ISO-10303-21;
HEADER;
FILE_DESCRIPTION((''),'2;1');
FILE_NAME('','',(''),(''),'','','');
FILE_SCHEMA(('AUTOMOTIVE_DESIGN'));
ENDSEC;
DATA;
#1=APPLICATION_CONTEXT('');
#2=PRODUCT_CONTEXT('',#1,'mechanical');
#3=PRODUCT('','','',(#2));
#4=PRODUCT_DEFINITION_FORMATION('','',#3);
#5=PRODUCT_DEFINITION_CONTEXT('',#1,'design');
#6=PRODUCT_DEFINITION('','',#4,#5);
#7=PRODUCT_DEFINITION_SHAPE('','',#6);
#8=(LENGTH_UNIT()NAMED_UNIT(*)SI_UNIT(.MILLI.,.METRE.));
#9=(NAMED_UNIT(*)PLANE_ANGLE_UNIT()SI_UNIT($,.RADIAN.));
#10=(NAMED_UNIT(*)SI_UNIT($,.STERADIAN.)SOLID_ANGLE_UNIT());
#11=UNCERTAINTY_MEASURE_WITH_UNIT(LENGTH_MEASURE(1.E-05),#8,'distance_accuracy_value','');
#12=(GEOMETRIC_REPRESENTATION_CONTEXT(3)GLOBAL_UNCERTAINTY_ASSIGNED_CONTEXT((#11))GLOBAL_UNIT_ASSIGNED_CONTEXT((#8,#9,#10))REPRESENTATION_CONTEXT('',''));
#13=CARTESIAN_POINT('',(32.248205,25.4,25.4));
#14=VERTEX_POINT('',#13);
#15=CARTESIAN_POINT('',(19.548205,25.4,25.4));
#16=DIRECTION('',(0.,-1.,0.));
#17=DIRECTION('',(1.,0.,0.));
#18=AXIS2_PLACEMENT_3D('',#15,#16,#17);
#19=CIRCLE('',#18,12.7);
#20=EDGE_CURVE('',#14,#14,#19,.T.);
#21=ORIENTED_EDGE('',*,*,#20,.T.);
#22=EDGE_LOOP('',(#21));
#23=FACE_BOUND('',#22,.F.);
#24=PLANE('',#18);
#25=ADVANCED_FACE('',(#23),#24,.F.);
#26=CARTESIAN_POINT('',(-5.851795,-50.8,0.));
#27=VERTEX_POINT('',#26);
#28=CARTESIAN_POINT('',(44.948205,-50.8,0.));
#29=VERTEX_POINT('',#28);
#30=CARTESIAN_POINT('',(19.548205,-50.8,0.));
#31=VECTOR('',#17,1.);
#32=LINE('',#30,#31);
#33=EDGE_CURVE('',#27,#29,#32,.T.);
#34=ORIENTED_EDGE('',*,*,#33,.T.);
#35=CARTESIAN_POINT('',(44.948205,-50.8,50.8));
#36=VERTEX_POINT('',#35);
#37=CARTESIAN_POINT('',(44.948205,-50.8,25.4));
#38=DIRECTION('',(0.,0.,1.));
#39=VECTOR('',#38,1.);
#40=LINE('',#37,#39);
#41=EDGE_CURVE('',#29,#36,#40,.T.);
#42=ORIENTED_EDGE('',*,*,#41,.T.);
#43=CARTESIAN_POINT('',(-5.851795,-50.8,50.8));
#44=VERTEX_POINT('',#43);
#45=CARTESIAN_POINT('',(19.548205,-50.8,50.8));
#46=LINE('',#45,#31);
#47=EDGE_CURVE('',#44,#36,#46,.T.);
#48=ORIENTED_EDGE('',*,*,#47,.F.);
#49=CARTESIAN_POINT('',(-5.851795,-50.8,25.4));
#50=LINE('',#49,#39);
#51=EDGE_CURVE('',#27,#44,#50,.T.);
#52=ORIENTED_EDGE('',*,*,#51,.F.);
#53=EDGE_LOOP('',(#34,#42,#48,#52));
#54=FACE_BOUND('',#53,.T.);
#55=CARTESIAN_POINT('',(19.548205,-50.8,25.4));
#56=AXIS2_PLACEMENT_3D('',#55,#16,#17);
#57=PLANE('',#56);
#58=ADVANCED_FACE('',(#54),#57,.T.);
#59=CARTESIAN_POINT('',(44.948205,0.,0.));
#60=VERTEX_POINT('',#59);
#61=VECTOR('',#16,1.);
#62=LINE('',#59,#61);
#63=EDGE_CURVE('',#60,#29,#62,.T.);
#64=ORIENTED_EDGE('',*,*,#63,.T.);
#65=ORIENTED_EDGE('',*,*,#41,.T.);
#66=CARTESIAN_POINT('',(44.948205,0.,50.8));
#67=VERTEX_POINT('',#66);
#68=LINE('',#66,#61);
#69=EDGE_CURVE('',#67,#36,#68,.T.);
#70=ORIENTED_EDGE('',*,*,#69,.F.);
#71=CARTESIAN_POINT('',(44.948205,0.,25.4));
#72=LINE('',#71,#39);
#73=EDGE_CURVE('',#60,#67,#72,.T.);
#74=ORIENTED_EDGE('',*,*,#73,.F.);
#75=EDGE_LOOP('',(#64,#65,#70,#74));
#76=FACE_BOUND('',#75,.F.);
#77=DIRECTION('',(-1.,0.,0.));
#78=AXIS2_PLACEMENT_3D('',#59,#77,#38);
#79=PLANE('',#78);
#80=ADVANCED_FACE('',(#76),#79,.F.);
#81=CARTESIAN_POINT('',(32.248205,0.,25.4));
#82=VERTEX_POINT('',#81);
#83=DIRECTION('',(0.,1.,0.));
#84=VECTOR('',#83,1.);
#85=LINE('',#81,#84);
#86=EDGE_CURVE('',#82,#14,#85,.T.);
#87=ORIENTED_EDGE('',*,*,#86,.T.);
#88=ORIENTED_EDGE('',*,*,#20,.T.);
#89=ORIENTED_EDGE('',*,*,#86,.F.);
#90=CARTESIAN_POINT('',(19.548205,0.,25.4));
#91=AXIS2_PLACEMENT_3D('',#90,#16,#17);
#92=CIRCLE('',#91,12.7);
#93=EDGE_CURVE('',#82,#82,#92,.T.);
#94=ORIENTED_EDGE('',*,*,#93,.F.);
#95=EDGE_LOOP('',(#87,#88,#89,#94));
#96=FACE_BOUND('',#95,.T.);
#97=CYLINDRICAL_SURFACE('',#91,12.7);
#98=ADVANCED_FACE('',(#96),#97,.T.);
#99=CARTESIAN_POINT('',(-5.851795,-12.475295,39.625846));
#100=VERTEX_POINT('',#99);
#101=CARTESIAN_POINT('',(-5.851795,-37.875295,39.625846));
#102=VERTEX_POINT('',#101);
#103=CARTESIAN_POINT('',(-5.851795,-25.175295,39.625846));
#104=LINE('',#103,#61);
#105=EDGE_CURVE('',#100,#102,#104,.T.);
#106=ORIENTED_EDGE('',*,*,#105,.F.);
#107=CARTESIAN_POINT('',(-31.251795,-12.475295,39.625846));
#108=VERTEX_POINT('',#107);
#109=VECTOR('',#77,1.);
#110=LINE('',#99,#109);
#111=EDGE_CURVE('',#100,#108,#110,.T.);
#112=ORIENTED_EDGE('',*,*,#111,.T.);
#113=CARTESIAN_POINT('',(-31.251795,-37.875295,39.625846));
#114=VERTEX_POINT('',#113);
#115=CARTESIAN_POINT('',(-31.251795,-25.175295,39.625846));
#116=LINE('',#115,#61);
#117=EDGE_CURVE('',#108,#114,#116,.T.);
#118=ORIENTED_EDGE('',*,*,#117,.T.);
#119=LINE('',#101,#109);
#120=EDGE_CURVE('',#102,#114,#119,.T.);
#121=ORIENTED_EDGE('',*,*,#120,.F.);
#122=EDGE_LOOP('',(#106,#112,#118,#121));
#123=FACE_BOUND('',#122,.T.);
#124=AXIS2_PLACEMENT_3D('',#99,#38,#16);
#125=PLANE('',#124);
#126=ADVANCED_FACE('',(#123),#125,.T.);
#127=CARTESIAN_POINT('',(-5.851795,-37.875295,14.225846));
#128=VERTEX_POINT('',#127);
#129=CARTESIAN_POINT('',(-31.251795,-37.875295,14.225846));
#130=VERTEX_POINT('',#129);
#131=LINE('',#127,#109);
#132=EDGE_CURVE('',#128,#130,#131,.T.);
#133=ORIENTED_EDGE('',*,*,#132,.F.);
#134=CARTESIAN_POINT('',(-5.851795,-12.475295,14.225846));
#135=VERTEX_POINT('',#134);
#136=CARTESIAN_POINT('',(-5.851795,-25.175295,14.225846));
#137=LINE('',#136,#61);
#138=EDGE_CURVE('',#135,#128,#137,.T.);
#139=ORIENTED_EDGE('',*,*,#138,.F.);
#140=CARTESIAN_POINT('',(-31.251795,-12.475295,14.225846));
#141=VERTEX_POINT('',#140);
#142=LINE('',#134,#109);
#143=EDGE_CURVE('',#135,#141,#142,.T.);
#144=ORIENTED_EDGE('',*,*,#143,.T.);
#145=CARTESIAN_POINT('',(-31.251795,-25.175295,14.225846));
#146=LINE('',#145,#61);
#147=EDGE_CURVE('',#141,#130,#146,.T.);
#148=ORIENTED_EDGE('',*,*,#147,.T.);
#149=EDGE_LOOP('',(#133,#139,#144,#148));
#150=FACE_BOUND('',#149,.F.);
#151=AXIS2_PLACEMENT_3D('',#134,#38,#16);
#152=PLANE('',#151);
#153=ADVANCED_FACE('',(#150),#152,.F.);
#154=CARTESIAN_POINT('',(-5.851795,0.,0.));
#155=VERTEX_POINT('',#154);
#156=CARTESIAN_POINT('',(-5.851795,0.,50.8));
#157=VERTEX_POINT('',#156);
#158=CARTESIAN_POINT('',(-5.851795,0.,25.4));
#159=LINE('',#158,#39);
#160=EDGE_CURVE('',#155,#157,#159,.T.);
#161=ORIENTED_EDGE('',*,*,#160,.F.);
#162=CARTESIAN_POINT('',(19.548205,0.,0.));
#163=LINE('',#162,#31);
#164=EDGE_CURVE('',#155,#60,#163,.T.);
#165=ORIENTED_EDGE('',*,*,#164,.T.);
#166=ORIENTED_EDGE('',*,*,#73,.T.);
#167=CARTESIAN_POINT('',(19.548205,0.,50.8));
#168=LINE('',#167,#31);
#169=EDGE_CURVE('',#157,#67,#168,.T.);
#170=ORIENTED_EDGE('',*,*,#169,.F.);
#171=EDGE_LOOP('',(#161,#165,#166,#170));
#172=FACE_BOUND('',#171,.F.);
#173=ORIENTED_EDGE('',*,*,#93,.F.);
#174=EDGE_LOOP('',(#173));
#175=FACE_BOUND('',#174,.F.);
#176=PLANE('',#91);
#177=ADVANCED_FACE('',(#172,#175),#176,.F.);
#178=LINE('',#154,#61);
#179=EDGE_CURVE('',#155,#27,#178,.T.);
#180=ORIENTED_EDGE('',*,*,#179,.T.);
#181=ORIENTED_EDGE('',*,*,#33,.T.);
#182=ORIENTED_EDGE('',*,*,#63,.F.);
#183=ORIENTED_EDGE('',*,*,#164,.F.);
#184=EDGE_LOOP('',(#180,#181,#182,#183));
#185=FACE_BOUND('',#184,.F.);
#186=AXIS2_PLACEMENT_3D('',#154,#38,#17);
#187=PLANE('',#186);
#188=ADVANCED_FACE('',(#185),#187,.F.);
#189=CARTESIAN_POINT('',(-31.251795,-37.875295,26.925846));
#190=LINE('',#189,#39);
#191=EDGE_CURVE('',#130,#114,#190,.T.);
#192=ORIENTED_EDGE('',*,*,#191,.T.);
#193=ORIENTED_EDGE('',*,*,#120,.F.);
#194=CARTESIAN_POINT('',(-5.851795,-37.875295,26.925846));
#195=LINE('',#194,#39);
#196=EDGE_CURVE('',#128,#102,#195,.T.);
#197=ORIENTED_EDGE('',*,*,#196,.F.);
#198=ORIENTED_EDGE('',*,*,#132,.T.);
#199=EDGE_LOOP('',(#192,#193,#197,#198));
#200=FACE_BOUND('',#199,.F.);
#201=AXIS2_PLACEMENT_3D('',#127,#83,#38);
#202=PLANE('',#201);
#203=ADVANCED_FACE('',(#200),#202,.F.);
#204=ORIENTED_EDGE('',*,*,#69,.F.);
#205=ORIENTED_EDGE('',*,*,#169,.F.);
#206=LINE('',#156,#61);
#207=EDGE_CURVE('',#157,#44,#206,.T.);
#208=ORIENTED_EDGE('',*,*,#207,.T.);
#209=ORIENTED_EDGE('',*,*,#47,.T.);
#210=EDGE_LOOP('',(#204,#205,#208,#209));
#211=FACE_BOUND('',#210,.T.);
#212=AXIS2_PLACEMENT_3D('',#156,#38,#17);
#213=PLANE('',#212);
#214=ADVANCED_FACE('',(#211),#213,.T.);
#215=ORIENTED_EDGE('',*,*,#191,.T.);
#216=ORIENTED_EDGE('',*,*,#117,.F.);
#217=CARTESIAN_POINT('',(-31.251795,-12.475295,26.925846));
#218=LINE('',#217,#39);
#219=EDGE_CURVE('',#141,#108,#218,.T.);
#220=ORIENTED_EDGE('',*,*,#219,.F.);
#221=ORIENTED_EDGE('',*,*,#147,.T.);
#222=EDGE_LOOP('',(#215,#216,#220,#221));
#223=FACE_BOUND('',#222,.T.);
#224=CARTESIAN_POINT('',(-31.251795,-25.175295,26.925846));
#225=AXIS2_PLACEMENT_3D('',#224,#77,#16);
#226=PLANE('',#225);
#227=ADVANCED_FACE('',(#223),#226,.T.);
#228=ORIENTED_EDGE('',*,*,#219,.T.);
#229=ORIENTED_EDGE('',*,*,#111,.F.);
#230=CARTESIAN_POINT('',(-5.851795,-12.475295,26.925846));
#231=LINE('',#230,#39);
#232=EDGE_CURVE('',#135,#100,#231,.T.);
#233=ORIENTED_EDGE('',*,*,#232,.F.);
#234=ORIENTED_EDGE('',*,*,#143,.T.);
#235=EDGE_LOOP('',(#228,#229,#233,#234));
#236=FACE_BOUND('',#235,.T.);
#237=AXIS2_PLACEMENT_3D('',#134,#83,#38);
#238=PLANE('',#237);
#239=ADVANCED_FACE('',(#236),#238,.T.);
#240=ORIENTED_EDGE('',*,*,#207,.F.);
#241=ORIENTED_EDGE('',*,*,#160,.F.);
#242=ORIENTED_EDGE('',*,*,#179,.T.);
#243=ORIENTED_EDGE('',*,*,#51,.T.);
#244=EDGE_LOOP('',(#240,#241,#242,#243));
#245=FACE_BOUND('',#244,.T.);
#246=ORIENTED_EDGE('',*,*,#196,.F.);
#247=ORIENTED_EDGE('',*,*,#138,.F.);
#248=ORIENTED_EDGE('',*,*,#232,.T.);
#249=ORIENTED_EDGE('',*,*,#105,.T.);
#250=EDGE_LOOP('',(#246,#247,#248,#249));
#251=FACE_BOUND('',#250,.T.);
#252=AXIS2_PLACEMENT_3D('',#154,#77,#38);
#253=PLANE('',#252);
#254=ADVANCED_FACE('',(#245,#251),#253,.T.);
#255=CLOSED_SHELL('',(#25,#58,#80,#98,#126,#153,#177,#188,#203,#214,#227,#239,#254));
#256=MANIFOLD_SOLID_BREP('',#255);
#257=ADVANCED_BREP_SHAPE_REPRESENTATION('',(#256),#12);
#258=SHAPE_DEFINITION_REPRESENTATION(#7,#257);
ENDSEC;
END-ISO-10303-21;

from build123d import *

# Parameters (mm, degrees)
F0_W     = 50.8
F0_H     = 50.8
F1_DEPTH = 50.8
F2_R     = 12.7
F3_DEPTH = 25.4
F4_W     = 25.4
F4_H     = 25.4
F5_DEPTH = 25.4


with BuildPart() as f1:
    # F0 (on Front) → F1 (new body)
    with BuildSketch(Plane.XZ):
        with Locations((19.548205, 25.4)):
            Rectangle(F0_W, F0_H)
    extrude(amount=F1_DEPTH)

    # F2 (on Front) → F3 (join)
    with BuildSketch(Plane.XZ):
        with Locations((19.548205, 25.4)):
            Circle(F2_R)
    extrude(amount=-F3_DEPTH)

    # F4 (on face) → F5 (join)
    with BuildSketch(Plane(origin=(-5.851795, 0, 0), x_dir=(0, -1, 0), z_dir=(-1, 0, 0))):
        with Locations((25.175295, 26.925846)):
            Rectangle(F4_W, F4_H)
    extrude(amount=F5_DEPTH)


solid = f1.part
